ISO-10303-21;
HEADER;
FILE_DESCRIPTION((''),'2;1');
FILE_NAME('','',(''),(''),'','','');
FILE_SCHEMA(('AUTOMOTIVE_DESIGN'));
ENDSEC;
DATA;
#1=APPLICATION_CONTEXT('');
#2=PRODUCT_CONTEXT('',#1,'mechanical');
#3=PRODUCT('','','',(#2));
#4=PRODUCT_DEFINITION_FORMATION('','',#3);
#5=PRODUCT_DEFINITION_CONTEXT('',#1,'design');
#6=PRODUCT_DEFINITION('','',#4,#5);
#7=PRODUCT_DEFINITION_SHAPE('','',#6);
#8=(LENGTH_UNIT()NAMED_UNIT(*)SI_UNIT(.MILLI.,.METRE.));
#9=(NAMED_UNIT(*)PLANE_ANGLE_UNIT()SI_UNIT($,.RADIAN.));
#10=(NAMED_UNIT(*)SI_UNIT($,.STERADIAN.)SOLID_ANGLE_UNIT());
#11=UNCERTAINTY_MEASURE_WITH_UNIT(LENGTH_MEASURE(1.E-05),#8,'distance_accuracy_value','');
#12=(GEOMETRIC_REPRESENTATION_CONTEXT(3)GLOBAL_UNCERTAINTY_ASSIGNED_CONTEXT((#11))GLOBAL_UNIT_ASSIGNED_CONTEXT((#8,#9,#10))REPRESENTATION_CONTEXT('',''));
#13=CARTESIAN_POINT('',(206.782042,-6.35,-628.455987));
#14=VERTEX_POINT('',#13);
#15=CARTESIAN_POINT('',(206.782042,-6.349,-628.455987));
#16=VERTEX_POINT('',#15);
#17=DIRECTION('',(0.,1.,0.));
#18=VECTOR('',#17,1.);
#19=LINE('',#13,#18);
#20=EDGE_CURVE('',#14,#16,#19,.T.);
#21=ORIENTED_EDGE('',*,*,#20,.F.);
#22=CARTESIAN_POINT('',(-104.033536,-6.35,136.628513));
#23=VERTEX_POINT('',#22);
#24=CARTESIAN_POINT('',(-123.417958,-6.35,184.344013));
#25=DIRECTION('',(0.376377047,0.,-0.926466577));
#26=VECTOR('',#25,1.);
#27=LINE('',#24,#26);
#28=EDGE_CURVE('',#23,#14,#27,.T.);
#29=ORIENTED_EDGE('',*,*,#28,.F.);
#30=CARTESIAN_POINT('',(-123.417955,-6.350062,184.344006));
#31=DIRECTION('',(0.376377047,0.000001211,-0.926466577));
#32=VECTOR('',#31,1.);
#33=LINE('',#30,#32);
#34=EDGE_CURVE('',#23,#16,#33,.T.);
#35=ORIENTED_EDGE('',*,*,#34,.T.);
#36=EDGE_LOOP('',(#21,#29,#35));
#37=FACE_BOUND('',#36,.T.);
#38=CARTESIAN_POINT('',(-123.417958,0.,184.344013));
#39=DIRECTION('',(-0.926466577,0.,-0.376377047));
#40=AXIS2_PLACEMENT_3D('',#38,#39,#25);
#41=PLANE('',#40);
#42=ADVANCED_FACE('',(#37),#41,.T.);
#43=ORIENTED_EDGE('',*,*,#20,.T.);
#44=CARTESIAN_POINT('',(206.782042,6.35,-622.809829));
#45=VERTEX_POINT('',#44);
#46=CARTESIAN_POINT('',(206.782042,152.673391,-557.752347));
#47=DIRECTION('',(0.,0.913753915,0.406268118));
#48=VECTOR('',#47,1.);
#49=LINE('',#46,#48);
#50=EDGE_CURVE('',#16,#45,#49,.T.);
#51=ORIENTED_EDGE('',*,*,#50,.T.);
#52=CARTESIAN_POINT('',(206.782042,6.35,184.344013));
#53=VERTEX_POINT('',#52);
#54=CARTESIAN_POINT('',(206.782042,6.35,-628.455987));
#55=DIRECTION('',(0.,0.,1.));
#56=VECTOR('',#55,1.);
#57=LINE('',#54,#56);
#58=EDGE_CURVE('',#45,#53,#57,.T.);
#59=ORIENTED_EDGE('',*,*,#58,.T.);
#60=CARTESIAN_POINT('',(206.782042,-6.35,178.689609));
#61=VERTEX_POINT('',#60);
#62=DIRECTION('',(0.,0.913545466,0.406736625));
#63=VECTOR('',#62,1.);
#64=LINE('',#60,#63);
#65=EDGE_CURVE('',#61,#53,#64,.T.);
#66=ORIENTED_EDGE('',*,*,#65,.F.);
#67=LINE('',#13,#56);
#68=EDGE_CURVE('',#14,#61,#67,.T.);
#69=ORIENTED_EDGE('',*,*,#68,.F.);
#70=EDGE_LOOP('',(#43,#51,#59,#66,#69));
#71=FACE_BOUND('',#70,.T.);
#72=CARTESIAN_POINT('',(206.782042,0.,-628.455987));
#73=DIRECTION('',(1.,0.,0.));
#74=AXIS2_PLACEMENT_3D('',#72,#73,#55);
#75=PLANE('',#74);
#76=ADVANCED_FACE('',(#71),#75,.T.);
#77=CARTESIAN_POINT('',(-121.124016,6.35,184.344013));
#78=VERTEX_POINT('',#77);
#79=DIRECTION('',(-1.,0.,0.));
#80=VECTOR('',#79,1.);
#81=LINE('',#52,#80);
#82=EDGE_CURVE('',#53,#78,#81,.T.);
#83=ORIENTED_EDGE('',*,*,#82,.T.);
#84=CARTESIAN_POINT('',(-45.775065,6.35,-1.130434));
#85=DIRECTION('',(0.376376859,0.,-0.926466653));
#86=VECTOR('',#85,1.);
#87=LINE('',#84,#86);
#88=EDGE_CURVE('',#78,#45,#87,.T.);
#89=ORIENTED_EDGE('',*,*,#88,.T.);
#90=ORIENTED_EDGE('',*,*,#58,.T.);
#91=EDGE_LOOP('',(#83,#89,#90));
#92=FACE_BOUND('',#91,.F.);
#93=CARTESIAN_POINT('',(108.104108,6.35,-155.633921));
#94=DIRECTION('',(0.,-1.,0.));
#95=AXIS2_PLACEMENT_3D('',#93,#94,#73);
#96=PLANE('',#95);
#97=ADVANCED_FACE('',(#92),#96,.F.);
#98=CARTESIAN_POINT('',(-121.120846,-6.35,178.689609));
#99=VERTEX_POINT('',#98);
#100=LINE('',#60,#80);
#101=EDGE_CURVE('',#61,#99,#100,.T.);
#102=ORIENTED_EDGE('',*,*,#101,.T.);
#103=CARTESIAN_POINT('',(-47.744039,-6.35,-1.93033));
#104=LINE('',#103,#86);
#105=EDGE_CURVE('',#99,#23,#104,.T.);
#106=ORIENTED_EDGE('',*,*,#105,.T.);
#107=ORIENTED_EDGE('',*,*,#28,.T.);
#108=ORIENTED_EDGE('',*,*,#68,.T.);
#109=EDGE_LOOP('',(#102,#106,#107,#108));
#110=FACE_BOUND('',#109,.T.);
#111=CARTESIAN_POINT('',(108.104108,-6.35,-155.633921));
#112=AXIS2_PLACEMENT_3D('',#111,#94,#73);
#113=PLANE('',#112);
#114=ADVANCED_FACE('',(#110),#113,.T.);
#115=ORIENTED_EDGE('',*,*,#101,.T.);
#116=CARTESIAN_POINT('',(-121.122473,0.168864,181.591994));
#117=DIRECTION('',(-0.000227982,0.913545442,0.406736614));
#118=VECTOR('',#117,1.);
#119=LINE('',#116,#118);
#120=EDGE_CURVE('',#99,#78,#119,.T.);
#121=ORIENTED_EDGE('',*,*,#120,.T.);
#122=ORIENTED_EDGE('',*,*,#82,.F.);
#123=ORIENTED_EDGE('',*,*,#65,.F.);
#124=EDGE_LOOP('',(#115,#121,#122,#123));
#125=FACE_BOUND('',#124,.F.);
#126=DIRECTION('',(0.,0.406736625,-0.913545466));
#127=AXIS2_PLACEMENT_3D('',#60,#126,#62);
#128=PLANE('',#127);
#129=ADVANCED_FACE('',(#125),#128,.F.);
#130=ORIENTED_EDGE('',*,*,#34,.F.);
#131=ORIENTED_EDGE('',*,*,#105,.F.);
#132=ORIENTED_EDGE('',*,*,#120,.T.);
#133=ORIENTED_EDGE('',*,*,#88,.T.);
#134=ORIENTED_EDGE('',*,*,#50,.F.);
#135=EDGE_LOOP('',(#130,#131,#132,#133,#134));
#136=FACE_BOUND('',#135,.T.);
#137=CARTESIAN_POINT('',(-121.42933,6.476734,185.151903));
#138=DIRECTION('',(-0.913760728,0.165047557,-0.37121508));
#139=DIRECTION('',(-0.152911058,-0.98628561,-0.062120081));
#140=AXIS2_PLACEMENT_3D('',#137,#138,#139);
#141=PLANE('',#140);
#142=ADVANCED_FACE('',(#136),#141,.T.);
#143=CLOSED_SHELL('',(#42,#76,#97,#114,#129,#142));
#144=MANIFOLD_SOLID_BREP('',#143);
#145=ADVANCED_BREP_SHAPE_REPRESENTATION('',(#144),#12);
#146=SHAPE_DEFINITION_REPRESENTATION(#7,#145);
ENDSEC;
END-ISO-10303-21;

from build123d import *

# Parameters (mm, degrees)
F1_DEPTH = 6.35
F4_DEPTH = 330.201
F6_DEPTH = 877.312735


with BuildPart() as f1:
    # F0 (on Front) → F1 (new body, symmetric)
    with BuildSketch(Plane.XZ):
        Polygon((206.782042, 184.344013), (-123.417958, 184.344013), (206.782042, -628.455987), align=None)
    extrude(amount=F1_DEPTH, both=True)

    # F3 (on face) → F4 (cut, through all)
    with BuildSketch(Plane.YZ.offset(206.782042)):
        Polygon((-6.35, 178.689609), (6.35, 184.344013), (-6.35, 184.344013), align=None)
    extrude(amount=-F4_DEPTH, mode=Mode.SUBTRACT)

    # F5 (on face) → F6 (cut, through all)
    with BuildSketch(Plane(origin=(-81.764245, 0, 201.265834), x_dir=(0.926467, 0, 0.376377), z_dir=(0.376377, 0, -0.926467))):
        Polygon((-44.959792, 6.350266), (-44.959792, -6.476734), (-42.813289, -6.476734), align=None)
    extrude(amount=F6_DEPTH, mode=Mode.SUBTRACT)


solid = f1.part
